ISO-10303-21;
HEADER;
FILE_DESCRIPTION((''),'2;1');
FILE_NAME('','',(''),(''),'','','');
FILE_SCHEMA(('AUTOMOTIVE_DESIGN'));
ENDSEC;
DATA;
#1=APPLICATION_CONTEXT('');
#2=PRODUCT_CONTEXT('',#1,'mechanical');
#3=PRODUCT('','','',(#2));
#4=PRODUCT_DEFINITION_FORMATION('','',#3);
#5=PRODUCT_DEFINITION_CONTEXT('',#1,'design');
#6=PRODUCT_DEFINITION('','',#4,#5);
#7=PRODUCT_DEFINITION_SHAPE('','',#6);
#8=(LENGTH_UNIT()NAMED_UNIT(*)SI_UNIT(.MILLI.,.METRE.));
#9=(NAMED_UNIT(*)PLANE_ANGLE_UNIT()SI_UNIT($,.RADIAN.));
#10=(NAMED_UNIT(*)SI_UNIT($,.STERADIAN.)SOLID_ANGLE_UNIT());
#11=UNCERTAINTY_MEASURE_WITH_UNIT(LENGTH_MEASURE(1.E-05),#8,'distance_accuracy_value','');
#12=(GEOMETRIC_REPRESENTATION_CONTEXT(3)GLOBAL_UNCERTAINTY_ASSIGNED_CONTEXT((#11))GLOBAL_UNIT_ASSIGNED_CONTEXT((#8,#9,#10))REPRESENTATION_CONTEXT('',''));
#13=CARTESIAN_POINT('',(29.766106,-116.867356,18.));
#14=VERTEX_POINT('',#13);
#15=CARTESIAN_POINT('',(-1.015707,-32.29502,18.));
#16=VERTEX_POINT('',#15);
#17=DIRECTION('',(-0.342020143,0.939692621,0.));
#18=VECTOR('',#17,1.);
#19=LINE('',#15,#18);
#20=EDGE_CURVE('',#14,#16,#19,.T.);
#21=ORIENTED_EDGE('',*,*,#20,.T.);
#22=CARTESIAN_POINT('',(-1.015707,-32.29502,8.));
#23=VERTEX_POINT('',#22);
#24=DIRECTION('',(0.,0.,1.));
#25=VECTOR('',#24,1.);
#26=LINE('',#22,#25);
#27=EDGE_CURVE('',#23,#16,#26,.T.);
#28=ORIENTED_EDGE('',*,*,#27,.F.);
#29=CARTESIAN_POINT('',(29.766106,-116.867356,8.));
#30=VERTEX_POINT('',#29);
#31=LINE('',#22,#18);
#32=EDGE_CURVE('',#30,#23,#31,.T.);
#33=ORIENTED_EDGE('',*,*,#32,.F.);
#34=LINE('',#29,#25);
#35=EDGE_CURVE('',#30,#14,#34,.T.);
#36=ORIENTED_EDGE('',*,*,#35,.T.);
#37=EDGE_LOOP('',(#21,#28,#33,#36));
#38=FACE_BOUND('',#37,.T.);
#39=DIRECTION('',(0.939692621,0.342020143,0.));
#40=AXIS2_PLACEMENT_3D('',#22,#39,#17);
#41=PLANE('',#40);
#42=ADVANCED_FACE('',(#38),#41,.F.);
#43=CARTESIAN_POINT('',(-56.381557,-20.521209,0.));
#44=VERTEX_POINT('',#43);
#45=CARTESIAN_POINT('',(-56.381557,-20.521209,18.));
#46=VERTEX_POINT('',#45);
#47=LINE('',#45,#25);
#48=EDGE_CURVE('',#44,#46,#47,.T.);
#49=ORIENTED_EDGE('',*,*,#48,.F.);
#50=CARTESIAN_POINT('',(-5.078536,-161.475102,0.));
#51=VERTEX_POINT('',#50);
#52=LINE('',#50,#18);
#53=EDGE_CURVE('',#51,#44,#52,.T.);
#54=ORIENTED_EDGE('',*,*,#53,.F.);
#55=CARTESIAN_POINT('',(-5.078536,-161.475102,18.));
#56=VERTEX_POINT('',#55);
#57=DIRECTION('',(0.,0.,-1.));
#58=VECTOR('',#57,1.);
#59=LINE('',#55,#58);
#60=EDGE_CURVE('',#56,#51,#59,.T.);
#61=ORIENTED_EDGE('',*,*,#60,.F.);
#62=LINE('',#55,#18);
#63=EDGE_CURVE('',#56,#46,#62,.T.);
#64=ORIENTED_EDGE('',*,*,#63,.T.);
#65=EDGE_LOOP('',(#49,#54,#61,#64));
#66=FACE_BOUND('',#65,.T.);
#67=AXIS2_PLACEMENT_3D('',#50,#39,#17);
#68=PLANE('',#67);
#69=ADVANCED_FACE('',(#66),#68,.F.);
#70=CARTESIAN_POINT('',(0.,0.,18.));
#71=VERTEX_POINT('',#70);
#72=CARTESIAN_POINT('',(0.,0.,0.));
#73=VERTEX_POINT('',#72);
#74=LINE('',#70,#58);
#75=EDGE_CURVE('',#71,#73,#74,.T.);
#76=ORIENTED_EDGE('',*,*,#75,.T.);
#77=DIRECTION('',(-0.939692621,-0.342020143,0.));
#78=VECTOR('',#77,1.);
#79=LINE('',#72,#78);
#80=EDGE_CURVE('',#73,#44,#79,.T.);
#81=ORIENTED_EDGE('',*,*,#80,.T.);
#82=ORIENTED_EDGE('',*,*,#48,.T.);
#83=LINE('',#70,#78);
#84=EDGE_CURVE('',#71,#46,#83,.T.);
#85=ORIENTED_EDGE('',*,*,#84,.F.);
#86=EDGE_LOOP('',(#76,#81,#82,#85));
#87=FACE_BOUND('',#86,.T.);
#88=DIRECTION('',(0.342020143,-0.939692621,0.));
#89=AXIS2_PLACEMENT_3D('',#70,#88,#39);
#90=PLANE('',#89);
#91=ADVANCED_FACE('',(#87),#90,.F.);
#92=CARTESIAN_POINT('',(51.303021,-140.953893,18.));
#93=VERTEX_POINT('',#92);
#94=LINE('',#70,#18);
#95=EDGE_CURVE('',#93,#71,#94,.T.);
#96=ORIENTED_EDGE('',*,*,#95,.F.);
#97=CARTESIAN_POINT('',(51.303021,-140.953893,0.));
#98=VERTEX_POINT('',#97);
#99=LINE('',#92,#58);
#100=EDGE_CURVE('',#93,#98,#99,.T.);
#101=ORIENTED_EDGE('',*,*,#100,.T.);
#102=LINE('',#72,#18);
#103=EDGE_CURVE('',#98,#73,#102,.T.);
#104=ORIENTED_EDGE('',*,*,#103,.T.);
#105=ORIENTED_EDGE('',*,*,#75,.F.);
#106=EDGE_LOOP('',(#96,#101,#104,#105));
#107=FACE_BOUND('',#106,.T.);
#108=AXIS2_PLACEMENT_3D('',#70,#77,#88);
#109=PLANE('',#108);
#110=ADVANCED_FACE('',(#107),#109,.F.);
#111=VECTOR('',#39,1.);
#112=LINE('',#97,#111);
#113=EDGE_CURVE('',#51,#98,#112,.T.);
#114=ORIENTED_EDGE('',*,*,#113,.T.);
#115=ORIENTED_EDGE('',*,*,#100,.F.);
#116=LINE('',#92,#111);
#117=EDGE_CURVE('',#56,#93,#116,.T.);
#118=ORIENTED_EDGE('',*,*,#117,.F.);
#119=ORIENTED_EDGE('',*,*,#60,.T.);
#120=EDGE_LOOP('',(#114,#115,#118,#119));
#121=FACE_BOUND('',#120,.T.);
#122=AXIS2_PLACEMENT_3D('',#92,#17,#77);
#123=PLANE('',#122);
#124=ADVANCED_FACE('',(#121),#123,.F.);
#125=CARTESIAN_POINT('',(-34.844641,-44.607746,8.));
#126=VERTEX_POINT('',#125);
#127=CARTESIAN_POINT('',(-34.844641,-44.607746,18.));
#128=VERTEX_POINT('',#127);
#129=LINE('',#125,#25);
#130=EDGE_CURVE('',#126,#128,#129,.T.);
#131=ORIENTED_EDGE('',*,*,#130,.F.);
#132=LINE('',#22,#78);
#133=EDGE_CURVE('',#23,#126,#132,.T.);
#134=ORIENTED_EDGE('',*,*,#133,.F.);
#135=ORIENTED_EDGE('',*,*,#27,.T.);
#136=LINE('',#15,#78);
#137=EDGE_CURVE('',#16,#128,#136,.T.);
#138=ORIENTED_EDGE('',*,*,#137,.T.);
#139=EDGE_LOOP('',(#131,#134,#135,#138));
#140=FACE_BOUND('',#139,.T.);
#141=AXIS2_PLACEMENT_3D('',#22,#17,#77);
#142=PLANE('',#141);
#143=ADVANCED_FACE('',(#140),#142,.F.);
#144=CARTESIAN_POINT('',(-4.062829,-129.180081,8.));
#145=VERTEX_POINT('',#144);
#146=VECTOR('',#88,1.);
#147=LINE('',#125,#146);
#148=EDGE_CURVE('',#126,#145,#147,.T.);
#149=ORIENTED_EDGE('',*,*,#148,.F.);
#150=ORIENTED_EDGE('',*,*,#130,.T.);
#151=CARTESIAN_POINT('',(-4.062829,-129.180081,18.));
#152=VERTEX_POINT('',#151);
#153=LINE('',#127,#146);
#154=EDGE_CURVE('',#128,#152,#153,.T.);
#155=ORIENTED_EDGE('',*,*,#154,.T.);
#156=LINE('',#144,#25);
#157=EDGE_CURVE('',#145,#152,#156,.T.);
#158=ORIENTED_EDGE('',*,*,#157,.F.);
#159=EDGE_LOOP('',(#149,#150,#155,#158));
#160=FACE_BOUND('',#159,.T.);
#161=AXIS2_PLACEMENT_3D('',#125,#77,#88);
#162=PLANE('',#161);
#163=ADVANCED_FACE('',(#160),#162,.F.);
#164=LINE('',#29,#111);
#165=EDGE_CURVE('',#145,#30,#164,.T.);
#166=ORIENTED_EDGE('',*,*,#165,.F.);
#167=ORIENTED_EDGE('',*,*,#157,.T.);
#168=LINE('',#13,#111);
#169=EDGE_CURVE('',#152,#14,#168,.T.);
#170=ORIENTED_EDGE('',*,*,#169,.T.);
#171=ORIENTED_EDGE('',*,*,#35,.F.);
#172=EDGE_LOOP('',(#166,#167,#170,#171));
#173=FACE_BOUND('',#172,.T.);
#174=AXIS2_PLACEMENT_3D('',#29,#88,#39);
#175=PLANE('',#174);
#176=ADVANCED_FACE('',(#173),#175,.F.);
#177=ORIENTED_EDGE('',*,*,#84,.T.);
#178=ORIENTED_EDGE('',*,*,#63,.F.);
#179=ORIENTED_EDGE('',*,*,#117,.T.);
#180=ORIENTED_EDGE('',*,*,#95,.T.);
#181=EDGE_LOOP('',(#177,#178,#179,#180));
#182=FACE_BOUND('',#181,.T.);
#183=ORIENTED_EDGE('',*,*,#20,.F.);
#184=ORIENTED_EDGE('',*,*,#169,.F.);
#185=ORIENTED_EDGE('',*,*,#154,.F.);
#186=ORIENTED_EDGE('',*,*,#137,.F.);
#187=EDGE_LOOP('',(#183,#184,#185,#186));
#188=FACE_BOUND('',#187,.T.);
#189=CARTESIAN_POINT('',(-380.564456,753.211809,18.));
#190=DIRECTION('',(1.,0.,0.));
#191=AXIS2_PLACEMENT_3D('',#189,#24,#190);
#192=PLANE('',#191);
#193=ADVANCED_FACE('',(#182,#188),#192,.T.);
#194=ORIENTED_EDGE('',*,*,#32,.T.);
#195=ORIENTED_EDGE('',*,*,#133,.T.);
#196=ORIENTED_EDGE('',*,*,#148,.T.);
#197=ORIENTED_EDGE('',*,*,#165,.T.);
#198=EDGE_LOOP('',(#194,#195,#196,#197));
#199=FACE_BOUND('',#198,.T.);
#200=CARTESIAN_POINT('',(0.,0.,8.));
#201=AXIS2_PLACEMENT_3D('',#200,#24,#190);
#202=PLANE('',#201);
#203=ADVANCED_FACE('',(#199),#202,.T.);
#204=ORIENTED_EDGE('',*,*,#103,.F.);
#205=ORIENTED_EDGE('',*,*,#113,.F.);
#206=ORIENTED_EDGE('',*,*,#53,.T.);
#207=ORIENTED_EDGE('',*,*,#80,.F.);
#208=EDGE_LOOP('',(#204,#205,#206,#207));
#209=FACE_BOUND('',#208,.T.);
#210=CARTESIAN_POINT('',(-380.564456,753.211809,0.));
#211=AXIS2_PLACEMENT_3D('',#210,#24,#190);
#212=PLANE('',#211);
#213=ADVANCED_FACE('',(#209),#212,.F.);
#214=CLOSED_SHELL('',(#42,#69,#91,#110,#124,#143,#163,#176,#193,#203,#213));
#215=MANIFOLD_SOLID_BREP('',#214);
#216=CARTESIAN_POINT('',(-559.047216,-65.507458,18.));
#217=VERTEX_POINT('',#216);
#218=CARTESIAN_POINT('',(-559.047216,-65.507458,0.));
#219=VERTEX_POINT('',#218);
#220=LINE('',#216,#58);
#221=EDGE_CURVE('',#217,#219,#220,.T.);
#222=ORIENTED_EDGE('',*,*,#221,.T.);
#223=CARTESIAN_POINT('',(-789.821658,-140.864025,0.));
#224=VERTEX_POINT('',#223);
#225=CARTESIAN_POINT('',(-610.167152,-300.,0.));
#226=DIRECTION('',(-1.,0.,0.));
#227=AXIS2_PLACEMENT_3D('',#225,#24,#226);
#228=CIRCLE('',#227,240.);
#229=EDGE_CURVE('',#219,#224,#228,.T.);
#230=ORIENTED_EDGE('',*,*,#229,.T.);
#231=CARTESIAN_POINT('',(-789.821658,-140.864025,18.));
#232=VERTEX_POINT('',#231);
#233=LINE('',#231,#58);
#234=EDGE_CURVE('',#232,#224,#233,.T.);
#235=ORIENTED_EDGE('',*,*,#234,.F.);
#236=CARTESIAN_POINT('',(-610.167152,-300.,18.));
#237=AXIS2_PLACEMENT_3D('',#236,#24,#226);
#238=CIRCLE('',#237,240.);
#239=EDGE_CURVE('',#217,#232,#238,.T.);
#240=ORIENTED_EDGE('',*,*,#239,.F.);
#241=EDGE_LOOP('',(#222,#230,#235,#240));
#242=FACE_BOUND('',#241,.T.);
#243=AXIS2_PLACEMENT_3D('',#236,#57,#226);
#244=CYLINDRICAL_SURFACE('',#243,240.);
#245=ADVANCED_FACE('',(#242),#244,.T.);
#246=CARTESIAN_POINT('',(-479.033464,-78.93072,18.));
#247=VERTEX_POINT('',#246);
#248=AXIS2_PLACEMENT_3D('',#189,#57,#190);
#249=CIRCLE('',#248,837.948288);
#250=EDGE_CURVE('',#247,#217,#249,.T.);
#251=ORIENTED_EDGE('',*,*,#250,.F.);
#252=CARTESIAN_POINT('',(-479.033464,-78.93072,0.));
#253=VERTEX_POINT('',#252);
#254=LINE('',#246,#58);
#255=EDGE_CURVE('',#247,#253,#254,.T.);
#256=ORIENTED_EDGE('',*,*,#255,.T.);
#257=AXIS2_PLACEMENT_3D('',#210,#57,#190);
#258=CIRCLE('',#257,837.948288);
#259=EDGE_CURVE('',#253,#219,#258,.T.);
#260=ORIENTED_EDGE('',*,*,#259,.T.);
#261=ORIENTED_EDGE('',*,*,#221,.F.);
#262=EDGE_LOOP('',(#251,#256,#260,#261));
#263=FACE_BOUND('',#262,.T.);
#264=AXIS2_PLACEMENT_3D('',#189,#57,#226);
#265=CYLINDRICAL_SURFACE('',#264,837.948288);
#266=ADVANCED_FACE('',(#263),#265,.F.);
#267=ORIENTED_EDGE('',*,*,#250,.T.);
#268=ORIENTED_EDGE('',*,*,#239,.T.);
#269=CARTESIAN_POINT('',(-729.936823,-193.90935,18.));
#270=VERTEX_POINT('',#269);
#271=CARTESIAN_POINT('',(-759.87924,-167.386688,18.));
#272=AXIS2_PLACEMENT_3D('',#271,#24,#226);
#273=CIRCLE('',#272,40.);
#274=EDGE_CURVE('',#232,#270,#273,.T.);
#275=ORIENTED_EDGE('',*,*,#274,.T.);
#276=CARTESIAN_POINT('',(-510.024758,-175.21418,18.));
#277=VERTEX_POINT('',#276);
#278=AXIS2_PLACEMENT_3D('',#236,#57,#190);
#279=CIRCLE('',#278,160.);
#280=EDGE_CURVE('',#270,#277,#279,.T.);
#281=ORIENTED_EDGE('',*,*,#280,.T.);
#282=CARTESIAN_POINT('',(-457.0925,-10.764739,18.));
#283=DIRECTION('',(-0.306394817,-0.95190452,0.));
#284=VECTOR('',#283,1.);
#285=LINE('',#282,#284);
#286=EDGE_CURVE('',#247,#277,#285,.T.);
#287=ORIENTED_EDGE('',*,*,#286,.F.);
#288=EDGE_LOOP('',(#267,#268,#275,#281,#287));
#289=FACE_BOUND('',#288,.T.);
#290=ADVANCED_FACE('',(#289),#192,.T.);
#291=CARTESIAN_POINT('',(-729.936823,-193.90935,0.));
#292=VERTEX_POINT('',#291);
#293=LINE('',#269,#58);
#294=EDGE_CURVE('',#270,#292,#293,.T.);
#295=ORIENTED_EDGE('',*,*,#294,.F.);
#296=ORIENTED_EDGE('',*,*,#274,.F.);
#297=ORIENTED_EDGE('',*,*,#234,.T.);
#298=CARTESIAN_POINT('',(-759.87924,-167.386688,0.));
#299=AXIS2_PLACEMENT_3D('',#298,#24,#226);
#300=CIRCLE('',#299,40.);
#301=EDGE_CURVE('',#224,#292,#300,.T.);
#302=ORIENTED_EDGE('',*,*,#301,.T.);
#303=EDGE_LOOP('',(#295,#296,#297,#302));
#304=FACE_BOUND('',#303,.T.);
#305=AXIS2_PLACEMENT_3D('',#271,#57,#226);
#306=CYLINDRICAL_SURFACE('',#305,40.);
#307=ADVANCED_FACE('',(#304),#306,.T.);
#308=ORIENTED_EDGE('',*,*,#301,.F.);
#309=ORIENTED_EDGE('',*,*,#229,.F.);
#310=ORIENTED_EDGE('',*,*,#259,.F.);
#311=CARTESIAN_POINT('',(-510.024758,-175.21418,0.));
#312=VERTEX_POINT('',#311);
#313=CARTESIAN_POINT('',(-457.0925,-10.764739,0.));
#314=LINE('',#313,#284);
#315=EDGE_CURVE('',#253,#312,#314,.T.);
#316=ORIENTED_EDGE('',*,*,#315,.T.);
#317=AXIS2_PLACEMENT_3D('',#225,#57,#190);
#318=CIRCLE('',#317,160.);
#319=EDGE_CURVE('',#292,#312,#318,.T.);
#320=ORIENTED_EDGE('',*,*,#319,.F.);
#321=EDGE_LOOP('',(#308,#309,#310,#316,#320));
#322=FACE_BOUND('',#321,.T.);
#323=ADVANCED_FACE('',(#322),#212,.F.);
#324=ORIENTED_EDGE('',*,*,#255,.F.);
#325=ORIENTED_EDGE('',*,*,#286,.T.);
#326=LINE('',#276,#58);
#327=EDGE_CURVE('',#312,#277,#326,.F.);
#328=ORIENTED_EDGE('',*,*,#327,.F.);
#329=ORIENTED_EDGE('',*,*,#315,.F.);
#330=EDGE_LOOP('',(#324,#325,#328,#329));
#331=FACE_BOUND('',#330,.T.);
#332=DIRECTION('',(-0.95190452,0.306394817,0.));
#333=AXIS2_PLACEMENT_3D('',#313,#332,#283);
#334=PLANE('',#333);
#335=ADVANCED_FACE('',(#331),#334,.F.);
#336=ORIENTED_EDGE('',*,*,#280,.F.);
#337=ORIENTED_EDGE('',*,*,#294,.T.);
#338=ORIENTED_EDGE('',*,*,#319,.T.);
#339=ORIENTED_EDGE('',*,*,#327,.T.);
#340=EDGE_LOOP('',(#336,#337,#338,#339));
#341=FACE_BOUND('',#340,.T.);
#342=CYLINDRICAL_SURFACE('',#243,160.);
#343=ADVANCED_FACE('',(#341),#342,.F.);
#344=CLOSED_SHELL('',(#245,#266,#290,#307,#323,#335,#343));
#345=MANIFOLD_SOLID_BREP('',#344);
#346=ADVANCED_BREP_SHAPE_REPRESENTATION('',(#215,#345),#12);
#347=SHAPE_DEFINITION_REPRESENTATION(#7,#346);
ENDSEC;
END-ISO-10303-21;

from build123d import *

# Parameters (mm, degrees)
BOSS_EXTRUDE1_DEPTH = 18
SKETCH2_W           = 200
SKETCH2_H           = 97
CUT_EXTRUDE1_DEPTH  = 19
CUT_EXTRUDE2_DEPTH  = 19
CUT_EXTRUDE3_DEPTH  = 10


with BuildPart() as part:
    # Sketch1 → Boss-Extrude1 (new body)
    with BuildSketch(Plane.XY):
        with BuildLine():
            Line((0, 0), (51.303021499, -140.953893118))
            Line((51.303021499, -140.953893118), (-5.078535748, -161.475101717))
            ThreePointArc((-5.078535748, -161.475101717), (-59.282744504, -247.94612641), (-59.866905015, -350))
            Line((-59.866905015, -350), (-458.18031046, -350))
            ThreePointArc((-458.18031046, -350), (-530.476755656, -161.257646224), (-729.936822659, -193.909350133))
            ThreePointArc((-729.936822659, -193.909350133), (-786.401902791, -197.329105332), (-789.82165799, -140.864025199))
            ThreePointArc((-789.82165799, -140.864025199), (-684.665051265, -71.855170989), (-559.047216388, -65.507458149))
            ThreePointArc((-559.047216388, -65.507458149), (-324.287619955, -82.844559906), (-93.969262079, -34.202014333))
            Line((-93.969262079, -34.202014333), (0, 0))
        make_face()
    extrude(amount=BOSS_EXTRUDE1_DEPTH)

    # Sketch2 → Cut-Extrude1 (cut, through all)
    with BuildSketch(Plane.XY.offset(18)):
        with Locations((-187.508312236, -266.5)):
            Rectangle(SKETCH2_W, SKETCH2_H)
        with BuildLine():
            Line((-322.508312236, -315), (-432.508312236, -315))
            Line((-432.508312236, -315), (-432.508312236, -255))
            ThreePointArc((-432.508312236, -255), (-377.508312236, -200), (-322.508312236, -255))
            Line((-322.508312236, -255), (-322.508312236, -315))
        make_face()
    extrude(amount=-CUT_EXTRUDE1_DEPTH, mode=Mode.SUBTRACT)

    # Sketch4 → Cut-Extrude2 (cut, through all)
    with BuildSketch(Plane.XY.offset(18)):
        Polygon((-5.078535748, -161.475101717), (-84.826670929, 57.631098935), (-457.092499605, -10.764738535), (-587.040553494, -414.486123748), (5.988618542, -394.516024731), align=None)
    extrude(amount=-CUT_EXTRUDE2_DEPTH, mode=Mode.SUBTRACT)

    # Sketch3 → Cut-Extrude3 (cut)
    with BuildSketch(Plane.XY.offset(18)):
        Polygon((-1.01570715, -32.295020343), (29.76610575, -116.867356214), (-4.062828599, -129.180081374), (-34.844641498, -44.607745503), align=None)
    extrude(amount=-CUT_EXTRUDE3_DEPTH, mode=Mode.SUBTRACT)


solid = part.part
